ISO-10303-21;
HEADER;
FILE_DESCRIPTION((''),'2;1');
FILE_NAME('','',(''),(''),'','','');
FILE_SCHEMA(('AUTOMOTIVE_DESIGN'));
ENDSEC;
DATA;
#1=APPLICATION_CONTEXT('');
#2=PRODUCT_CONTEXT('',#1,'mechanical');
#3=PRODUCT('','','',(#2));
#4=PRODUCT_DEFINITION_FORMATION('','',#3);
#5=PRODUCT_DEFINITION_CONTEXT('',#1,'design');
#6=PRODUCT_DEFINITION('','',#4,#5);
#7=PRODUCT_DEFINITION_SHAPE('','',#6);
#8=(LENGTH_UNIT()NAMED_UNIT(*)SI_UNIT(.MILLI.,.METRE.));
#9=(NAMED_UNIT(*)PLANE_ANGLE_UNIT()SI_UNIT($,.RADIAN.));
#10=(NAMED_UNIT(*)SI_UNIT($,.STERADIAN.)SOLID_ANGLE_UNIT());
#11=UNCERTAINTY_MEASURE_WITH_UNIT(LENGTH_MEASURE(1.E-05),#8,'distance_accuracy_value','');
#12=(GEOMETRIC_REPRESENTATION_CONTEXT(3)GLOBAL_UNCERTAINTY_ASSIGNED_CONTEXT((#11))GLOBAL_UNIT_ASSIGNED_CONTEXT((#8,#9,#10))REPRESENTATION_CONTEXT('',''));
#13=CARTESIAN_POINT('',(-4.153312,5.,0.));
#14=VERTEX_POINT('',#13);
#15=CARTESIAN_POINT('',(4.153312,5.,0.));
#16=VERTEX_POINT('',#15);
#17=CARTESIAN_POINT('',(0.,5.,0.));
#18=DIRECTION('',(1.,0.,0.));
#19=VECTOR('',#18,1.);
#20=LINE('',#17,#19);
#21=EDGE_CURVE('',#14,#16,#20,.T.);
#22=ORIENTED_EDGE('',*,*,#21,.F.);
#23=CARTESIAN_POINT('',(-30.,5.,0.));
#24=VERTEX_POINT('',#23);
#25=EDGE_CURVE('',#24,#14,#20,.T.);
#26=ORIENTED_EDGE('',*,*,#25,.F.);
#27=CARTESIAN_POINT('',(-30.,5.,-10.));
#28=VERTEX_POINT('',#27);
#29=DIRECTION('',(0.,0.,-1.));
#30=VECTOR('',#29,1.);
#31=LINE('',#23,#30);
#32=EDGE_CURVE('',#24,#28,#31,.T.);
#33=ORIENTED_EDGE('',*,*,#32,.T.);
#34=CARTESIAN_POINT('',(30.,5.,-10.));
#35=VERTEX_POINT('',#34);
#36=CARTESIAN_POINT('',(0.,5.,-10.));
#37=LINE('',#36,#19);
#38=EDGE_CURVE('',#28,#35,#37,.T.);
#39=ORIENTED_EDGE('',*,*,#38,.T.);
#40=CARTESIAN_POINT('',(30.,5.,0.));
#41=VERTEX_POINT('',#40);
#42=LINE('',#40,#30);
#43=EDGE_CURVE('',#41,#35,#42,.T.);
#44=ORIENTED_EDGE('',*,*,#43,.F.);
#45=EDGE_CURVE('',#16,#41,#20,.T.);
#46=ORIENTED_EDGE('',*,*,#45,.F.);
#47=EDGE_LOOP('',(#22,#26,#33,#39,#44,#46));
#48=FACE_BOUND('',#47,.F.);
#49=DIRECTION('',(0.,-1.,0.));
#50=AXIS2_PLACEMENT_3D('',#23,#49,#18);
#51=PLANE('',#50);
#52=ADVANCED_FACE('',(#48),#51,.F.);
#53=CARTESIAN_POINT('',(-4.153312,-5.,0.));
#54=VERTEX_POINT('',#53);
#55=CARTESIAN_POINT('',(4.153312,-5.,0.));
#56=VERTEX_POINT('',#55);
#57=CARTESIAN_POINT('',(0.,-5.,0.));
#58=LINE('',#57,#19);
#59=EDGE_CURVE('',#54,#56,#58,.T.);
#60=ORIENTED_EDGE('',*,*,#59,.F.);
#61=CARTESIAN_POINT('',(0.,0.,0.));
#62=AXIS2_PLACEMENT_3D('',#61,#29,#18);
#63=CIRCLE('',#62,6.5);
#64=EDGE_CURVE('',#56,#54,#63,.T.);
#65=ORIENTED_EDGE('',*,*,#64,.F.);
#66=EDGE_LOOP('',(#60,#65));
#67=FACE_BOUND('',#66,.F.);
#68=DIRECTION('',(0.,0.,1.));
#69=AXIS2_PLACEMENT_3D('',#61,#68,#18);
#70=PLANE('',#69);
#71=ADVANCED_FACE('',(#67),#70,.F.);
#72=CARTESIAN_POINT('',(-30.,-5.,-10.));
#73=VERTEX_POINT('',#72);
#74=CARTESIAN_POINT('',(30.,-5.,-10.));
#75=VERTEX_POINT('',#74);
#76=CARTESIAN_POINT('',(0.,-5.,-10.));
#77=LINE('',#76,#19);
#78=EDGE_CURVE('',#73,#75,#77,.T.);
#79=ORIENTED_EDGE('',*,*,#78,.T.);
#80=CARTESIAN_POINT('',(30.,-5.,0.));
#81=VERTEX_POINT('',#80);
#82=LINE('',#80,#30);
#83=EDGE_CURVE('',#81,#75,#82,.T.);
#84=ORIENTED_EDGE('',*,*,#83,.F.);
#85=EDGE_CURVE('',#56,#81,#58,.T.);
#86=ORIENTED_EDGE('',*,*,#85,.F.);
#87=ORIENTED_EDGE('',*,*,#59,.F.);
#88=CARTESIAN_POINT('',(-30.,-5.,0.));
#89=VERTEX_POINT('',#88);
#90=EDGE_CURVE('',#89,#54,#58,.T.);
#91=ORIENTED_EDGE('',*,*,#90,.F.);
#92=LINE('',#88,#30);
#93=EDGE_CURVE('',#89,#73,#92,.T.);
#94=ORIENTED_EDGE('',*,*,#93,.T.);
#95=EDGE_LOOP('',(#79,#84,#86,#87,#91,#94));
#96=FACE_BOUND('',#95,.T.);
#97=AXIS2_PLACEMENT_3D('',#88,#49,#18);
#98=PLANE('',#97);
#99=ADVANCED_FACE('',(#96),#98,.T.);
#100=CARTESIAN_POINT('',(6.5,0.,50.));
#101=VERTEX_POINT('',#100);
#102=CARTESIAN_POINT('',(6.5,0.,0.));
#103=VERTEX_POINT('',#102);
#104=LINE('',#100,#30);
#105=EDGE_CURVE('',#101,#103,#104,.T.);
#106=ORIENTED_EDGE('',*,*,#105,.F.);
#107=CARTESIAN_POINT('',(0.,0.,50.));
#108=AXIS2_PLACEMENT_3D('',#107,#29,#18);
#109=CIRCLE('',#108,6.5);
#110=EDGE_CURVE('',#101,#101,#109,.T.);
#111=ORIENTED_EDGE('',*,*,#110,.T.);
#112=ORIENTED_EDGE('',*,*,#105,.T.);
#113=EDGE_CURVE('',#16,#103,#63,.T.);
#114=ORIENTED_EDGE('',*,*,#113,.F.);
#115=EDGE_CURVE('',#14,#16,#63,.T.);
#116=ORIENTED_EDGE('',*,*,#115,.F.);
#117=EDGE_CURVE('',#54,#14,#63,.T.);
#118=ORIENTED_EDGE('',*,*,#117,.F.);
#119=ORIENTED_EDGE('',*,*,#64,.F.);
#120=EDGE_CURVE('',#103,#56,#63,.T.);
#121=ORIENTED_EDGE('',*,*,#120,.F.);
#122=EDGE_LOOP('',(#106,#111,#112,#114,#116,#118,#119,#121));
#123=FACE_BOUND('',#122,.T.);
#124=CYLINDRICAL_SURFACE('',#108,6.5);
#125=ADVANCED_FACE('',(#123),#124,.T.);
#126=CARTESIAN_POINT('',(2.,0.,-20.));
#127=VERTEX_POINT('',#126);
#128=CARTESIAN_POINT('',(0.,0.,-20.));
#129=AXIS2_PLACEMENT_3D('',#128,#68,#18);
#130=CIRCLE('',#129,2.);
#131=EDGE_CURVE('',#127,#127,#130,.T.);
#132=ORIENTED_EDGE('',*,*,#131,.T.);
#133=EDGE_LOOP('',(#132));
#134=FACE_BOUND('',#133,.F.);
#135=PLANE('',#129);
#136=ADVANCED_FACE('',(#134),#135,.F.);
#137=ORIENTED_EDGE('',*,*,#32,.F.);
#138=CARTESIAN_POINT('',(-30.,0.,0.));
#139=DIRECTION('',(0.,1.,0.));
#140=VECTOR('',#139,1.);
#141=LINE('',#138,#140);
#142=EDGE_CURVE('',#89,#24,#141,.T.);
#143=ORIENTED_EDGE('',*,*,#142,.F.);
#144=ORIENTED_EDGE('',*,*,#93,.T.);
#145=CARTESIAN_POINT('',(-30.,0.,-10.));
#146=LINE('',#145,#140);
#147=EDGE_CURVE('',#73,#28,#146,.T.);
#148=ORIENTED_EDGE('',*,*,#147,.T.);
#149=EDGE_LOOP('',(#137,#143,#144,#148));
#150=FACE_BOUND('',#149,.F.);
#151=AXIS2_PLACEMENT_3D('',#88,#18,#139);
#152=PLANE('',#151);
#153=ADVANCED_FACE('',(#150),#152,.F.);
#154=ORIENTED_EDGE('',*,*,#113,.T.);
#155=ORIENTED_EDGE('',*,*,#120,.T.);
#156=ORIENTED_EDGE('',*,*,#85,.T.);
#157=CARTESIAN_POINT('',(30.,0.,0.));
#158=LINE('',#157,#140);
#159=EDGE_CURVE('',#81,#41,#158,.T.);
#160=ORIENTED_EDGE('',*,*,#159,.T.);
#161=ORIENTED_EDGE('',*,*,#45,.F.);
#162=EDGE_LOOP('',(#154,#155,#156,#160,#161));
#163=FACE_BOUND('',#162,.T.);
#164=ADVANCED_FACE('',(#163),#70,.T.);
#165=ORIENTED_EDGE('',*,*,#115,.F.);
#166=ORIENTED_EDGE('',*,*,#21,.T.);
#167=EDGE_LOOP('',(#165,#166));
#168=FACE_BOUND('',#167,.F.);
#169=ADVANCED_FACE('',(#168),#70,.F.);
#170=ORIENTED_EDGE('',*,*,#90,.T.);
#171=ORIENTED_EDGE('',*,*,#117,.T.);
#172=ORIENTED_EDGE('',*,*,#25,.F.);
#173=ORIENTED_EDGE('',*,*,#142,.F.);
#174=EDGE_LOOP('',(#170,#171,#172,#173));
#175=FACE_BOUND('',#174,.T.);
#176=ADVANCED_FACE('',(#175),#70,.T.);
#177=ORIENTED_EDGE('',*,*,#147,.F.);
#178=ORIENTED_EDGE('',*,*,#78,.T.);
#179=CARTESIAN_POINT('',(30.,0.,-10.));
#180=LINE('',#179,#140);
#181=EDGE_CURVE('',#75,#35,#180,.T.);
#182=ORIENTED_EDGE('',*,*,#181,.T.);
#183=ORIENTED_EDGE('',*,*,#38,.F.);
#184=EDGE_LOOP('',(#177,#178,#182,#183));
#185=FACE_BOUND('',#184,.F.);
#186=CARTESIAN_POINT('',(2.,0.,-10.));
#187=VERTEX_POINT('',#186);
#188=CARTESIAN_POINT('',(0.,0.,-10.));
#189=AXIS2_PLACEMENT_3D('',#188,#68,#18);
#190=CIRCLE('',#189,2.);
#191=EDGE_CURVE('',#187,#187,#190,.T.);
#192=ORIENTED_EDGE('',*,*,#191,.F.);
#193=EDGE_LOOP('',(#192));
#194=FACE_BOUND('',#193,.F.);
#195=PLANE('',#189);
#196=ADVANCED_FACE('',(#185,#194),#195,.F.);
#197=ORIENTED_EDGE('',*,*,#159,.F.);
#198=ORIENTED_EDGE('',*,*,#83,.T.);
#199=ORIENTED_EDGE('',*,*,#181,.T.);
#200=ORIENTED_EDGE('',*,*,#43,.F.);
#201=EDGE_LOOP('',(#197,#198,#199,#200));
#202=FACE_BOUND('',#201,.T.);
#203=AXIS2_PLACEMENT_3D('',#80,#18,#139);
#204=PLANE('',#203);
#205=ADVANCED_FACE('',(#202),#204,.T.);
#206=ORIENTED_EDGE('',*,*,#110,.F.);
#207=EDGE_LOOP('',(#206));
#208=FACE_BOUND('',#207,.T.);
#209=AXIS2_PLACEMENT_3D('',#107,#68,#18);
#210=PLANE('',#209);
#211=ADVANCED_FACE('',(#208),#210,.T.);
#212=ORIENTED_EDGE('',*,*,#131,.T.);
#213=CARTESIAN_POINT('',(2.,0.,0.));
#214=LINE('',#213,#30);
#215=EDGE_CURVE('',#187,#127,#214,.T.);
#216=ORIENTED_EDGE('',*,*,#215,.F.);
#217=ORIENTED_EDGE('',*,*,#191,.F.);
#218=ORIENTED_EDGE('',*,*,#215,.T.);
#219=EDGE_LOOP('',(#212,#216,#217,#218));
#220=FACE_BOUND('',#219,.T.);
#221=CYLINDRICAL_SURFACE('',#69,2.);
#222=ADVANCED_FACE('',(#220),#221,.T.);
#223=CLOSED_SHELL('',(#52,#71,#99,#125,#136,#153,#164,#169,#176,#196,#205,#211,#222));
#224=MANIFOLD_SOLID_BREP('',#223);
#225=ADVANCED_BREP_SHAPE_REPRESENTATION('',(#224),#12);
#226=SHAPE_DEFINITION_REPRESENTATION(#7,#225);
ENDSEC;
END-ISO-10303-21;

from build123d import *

# Parameters (mm, degrees)
F1_R     = 6.5
F3_W     = 60
F3_H     = 10
F4_DEPTH = 10
F5_R     = 2
F6_DEPTH = 20


with BuildPart() as f2:
    # F2: sweep along a path in F0
    with BuildLine(Plane.XZ) as f2_path:
        Line((0, 50), (0, 0))
    # F1 (on Top) → F2 (sweep)
    with BuildSketch(Plane.XY):
        Circle(F1_R)
    sweep(path=f2_path.line)

    # F3 (on Top) → F4 (join)
    with BuildSketch(Plane.XY):
        Rectangle(F3_W, F3_H)
    extrude(amount=-F4_DEPTH)

    # F5 (on Top) → F6 (join)
    with BuildSketch(Plane.XY):
        Circle(F5_R)
    extrude(amount=-F6_DEPTH)


solid = f2.part
